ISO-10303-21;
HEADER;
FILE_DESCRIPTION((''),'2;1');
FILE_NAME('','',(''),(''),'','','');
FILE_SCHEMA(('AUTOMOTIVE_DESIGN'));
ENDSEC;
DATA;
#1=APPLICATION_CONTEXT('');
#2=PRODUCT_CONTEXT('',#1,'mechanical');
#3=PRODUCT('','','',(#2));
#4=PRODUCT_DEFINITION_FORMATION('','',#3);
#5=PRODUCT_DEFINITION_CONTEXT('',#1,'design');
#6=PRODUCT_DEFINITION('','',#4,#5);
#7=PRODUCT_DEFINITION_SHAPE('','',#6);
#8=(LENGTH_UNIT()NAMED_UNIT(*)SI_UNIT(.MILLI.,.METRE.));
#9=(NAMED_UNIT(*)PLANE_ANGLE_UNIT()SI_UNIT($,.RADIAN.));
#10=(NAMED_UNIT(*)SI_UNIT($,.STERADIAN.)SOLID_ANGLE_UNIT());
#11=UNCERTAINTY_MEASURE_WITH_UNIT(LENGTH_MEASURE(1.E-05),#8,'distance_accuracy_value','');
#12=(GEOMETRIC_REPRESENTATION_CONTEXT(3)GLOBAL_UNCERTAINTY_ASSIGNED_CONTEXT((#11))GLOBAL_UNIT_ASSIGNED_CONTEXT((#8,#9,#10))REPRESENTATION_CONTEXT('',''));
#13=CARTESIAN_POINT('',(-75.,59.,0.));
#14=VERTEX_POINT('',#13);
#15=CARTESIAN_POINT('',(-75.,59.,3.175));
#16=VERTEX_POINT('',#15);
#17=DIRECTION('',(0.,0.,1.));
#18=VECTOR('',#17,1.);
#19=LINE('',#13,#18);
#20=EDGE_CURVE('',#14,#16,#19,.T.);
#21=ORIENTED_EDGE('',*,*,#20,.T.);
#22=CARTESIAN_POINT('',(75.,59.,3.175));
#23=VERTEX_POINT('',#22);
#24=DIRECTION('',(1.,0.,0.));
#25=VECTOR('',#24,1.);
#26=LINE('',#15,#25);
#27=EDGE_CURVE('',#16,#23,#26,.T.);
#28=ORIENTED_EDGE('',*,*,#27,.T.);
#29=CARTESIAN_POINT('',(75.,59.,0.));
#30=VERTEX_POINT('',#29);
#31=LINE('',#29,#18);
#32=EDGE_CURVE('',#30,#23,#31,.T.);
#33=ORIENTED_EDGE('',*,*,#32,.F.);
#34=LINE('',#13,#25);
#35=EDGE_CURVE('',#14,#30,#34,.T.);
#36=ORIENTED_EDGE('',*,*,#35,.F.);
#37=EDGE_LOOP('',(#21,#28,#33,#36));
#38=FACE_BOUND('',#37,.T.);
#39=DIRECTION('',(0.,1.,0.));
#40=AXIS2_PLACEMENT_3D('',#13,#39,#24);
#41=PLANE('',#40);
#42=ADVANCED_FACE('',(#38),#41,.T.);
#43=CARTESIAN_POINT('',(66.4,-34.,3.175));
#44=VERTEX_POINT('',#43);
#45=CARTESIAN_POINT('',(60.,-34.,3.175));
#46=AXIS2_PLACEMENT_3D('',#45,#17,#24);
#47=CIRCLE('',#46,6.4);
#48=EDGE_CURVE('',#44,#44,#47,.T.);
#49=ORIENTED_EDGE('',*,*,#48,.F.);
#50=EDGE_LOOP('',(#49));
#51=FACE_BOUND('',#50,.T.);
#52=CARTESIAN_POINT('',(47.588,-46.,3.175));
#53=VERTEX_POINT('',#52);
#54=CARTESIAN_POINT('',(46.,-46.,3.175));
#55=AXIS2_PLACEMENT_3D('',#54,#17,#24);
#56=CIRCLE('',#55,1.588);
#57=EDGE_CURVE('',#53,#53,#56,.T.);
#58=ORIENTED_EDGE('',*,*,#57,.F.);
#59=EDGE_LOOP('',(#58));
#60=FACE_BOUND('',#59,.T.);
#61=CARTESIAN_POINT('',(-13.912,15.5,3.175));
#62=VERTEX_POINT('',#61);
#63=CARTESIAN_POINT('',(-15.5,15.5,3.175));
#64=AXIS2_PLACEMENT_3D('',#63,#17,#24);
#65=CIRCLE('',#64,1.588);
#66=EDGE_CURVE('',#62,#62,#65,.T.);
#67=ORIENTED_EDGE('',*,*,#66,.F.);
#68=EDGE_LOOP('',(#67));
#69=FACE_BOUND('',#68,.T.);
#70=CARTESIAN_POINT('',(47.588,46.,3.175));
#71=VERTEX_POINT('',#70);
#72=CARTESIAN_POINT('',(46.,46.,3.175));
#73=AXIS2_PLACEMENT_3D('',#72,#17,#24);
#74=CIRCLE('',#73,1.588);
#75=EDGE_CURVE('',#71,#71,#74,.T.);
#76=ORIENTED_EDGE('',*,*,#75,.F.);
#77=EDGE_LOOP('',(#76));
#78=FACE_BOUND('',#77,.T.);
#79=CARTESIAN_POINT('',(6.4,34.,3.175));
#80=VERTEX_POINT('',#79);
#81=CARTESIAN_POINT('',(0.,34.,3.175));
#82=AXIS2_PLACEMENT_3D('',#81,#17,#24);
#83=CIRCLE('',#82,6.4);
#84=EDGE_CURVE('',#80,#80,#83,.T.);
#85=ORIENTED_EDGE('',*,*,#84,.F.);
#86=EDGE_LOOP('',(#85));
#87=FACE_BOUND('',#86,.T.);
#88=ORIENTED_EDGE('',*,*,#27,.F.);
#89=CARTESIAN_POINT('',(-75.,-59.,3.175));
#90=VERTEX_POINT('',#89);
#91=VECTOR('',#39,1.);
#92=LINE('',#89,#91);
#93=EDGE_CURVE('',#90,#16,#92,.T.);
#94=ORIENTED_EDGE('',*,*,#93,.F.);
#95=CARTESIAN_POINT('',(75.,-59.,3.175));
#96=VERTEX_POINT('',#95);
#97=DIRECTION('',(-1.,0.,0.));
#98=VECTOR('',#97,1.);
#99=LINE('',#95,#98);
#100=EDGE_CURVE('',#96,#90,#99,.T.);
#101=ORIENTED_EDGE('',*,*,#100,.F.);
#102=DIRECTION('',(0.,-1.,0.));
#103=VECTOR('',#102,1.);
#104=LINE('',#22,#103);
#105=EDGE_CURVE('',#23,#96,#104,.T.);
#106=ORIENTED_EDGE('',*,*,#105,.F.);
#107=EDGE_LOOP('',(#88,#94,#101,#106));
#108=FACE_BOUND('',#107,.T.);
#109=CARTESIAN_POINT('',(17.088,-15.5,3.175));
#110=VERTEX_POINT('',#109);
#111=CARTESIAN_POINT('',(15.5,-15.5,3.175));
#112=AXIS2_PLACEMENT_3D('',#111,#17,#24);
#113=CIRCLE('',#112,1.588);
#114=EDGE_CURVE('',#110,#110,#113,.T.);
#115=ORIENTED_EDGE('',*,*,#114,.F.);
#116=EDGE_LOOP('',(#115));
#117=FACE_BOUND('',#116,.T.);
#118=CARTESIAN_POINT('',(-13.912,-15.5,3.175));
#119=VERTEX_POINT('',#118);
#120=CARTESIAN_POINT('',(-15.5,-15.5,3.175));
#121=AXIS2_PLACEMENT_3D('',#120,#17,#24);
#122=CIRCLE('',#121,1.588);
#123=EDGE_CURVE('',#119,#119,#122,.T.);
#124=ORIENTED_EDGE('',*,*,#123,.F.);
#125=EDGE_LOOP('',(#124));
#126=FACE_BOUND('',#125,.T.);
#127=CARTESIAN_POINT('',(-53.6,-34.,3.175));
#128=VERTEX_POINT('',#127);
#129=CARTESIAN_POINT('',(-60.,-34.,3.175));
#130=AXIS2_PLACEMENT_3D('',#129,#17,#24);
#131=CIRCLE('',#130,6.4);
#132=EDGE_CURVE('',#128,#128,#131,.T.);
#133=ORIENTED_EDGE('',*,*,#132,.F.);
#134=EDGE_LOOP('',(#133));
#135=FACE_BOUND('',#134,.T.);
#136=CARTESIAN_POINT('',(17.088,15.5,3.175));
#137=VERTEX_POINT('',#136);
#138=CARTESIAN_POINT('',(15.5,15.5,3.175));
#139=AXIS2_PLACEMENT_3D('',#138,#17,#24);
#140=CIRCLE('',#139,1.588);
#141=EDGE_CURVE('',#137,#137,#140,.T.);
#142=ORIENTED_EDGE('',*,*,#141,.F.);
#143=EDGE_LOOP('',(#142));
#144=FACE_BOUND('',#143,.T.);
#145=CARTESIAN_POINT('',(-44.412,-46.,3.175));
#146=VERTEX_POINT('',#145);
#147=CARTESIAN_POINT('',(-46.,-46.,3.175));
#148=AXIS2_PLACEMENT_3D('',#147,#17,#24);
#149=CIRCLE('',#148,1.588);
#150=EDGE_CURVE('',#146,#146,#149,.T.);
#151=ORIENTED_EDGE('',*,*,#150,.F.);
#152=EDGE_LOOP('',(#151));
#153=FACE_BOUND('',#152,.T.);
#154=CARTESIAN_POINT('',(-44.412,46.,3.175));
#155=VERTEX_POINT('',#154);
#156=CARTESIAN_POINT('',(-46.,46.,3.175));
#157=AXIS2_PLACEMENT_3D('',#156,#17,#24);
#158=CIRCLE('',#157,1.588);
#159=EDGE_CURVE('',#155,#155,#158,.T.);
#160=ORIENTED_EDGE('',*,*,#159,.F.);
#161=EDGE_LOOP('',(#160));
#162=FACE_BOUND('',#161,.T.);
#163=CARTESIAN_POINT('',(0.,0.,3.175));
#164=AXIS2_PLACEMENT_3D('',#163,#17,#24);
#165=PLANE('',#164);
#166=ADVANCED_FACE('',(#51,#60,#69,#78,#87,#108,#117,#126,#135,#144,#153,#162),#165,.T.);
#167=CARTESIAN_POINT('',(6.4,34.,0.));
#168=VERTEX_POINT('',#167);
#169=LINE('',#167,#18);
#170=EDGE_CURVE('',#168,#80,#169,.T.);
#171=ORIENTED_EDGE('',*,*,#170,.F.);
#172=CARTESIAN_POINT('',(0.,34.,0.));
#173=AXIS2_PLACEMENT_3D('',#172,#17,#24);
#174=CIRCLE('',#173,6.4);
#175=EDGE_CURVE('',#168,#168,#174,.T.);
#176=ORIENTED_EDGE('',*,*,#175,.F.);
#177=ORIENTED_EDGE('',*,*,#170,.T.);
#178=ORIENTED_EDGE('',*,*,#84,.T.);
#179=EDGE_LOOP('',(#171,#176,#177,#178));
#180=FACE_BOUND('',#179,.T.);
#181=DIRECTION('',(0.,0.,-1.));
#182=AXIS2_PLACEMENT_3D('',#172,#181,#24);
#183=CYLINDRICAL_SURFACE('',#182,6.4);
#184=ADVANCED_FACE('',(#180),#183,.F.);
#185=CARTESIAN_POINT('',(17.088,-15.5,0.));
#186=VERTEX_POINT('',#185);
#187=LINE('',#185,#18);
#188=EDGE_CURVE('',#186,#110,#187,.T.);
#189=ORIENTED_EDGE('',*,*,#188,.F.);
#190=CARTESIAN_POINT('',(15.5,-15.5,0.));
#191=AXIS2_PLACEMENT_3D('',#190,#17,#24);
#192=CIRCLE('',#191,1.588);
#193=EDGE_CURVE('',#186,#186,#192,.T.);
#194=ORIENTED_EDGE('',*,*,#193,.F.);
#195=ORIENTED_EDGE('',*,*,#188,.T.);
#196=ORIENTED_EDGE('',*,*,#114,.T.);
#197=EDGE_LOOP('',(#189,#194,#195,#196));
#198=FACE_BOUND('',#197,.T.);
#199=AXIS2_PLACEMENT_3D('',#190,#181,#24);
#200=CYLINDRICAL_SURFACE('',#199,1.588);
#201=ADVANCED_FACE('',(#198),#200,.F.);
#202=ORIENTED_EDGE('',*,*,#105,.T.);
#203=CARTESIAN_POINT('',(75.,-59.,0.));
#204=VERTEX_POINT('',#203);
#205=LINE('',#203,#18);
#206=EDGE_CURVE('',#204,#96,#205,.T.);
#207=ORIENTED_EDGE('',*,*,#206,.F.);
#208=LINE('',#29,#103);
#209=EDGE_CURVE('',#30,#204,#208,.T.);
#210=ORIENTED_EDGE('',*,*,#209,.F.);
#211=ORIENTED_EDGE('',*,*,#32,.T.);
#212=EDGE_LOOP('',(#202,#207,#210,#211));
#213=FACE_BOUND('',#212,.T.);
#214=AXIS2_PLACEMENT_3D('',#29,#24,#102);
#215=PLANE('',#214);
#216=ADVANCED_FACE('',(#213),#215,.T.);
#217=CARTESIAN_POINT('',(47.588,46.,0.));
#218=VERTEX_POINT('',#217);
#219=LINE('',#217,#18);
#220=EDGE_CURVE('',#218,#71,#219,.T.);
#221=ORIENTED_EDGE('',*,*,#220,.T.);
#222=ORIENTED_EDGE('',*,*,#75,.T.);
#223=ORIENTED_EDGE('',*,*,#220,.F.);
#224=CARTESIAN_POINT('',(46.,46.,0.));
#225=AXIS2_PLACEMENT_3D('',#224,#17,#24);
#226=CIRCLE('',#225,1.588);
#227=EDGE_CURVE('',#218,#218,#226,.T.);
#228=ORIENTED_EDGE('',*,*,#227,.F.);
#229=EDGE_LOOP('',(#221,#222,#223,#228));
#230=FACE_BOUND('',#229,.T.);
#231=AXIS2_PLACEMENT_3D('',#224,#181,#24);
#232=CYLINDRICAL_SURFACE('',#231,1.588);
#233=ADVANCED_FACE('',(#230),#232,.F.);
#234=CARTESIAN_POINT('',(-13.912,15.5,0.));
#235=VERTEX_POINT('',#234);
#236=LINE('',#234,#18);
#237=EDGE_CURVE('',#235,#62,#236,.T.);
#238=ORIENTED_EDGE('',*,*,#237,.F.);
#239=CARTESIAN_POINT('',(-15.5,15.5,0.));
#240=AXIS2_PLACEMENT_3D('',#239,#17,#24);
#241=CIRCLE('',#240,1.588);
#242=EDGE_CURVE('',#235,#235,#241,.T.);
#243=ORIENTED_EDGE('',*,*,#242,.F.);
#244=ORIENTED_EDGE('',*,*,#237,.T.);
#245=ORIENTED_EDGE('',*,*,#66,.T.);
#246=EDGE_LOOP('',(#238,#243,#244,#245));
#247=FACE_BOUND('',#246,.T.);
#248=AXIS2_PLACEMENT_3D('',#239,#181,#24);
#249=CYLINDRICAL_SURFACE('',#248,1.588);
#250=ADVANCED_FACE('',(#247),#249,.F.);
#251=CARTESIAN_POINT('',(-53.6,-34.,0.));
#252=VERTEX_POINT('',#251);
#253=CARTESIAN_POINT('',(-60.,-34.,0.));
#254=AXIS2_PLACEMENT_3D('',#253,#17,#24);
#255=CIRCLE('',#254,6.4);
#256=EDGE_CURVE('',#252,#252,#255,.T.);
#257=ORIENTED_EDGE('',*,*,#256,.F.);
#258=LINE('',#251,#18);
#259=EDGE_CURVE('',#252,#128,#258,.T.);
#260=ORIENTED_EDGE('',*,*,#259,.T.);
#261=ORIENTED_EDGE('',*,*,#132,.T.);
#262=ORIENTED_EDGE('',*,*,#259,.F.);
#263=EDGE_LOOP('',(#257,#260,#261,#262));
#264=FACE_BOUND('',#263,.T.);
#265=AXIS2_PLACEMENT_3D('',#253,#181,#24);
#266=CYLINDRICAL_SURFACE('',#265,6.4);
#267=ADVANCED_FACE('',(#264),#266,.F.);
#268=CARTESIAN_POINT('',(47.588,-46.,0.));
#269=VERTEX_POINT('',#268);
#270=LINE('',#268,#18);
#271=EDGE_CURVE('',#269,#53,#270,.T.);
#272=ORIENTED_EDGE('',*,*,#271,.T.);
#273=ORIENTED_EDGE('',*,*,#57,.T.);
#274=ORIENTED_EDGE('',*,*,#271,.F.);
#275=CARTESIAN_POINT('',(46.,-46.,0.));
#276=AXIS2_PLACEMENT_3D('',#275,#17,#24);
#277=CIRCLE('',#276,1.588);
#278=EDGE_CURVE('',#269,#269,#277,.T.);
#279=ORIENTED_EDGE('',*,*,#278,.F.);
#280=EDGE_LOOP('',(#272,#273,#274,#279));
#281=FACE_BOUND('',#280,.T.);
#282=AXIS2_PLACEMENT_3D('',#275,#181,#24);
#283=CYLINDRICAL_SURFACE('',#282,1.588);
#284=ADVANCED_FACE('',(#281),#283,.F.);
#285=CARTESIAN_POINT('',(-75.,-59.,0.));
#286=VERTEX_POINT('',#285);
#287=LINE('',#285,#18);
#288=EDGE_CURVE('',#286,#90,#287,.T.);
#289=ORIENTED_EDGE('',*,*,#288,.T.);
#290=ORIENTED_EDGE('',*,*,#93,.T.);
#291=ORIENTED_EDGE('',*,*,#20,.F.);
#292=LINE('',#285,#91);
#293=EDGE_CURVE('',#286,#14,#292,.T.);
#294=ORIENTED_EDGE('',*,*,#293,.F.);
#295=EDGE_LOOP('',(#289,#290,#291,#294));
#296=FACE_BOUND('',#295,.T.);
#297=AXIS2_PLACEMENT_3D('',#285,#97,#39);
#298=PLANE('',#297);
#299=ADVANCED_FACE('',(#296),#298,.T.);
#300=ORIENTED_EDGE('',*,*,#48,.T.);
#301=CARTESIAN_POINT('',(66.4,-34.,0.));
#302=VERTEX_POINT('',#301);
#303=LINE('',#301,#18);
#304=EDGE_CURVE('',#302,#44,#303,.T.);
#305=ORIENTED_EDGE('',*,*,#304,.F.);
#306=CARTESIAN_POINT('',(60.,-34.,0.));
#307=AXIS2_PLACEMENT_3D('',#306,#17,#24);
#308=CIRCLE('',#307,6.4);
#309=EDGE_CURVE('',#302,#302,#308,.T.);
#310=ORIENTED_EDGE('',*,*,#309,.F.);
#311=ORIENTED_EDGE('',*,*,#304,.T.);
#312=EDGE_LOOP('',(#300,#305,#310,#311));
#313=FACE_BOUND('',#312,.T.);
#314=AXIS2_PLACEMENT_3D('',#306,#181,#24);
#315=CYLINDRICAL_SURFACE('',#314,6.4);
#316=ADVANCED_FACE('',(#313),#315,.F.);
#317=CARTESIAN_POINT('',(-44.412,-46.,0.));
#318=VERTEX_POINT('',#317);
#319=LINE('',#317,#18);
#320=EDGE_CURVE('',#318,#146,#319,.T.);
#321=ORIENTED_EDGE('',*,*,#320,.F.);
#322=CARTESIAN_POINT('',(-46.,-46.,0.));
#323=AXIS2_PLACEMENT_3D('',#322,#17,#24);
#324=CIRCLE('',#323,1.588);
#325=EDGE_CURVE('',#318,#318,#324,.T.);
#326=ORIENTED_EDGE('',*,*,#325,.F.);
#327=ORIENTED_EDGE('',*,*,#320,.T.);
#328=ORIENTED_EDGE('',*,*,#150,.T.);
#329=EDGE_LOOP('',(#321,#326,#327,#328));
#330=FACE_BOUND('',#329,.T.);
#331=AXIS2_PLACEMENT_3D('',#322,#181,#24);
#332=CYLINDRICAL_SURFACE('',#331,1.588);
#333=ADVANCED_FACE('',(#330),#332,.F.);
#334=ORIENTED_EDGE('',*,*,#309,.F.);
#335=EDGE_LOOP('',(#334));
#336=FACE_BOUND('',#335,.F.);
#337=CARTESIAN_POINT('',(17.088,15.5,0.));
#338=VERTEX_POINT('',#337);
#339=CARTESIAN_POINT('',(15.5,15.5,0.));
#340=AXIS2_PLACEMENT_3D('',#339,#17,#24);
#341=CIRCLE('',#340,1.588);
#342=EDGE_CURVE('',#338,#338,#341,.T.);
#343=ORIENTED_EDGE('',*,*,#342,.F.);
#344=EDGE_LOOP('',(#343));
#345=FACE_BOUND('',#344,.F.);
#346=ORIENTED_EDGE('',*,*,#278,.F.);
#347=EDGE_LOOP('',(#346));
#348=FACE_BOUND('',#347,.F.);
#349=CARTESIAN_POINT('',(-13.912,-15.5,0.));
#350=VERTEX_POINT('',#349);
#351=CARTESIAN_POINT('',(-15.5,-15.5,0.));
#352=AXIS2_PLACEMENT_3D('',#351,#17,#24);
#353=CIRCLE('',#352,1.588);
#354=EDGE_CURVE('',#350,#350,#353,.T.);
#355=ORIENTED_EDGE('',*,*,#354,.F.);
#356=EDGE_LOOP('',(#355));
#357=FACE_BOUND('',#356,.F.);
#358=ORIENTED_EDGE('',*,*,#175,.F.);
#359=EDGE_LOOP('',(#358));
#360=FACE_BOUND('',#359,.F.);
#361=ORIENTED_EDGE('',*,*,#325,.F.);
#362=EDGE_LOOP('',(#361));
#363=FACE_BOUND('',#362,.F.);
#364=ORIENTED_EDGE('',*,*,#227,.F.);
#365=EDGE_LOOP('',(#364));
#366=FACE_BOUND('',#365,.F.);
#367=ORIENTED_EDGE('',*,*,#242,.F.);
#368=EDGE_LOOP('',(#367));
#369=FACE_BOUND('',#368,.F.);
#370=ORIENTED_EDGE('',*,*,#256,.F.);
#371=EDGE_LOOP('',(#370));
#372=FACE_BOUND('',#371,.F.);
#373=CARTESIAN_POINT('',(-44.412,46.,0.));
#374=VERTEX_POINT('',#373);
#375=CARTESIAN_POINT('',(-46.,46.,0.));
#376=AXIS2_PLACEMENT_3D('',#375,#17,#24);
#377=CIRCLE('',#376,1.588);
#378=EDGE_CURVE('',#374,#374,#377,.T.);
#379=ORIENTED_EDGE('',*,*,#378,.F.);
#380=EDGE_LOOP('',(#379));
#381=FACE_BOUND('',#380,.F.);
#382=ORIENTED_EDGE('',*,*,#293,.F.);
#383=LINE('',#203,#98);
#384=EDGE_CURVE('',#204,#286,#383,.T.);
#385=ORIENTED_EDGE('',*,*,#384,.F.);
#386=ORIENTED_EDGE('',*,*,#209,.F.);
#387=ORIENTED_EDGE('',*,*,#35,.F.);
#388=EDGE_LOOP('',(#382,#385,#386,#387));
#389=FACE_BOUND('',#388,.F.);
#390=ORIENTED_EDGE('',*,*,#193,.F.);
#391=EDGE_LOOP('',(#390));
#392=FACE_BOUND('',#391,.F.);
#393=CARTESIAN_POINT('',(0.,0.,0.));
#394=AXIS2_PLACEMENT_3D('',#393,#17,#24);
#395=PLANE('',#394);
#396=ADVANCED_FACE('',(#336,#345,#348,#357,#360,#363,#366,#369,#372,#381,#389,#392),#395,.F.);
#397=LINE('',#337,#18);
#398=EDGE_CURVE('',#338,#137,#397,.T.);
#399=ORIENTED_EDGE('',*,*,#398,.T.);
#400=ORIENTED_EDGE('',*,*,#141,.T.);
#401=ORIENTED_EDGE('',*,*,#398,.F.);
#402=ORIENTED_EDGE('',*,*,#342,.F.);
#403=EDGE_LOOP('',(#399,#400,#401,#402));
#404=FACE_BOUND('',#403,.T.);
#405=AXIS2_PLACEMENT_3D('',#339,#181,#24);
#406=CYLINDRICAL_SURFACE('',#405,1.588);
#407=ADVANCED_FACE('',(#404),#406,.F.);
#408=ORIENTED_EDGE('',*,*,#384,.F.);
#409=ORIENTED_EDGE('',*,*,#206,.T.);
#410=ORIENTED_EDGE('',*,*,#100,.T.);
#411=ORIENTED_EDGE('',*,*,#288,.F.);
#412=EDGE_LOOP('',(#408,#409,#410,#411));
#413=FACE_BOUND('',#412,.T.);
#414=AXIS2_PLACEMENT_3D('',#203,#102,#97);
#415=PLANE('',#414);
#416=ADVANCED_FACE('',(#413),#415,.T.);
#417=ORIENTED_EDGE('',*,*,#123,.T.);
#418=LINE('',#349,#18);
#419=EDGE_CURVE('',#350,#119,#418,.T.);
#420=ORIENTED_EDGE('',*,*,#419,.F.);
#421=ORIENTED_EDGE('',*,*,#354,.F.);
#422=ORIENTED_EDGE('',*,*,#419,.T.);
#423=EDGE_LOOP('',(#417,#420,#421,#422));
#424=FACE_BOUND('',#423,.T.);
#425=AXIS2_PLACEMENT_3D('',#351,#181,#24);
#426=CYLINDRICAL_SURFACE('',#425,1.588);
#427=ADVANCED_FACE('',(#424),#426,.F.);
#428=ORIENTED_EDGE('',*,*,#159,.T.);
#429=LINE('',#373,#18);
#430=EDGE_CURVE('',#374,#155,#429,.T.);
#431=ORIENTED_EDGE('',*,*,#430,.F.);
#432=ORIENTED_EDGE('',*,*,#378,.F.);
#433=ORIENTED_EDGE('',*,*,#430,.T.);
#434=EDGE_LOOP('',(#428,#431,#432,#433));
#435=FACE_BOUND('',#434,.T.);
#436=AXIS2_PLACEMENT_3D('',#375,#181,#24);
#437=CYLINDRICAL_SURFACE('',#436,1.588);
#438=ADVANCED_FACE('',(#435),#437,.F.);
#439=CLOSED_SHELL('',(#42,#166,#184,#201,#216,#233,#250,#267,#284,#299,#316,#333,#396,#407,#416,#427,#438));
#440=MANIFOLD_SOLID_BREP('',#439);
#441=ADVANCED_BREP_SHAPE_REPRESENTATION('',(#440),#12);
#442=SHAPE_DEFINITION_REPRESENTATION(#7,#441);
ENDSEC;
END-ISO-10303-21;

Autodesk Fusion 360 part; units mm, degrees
sketch "movingPlatform" plane through (0, 0, 0) normal (0, 0, 1) x (1, 0, 0)
  line L0 (-75, 59) -> (75, 59)
  line L1 (75, 59) -> (75, -59)
  line L2 (75, -59) -> (-75, -59)
  line L3 (-75, -59) -> (-75, 59)
  line L4 (-75, 59) -> (75, -59) construction
  line L5 (75, 59) -> (-75, -59) construction
  circle A0 centre (-60, -34) radius 6.4
  line L6 (0, 2.5) -> (0, 20)
  circle A1 centre (60, -34) radius 6.4
  circle A2 centre (0, 34) radius 6.4
  circle A3 centre (-46, -46) radius 1.588
  circle A4 centre (-15.5, -15.5) radius 1.588
  circle A5 centre (0, 0) radius 57 construction
  circle A6 centre (15.5, -15.5) radius 1.588
  circle A7 centre (15.5, 15.5) radius 1.588
  circle A8 centre (46, -46) radius 1.588
  circle A9 centre (-46, 46) radius 1.588
  circle A10 centre (46, 46) radius 1.588
  circle A11 centre (-15.5, 15.5) radius 1.588
  dimension "d1" = 150
  dimension "d2" = 118
  dimension "d3" = 12.8
  dimension "d4" = 120
  dimension "d5" = 12.8
  dimension "d6" = 68
  dimension "d7" = 25
  dimension "d8" = 25
  dimension "d9" = 3.176
  dimension "d12" = 92
  dimension "d13" = 92
  dimension "d21" = 3.176
  dimension "d24" = 31
  dimension "d25" = 31
  dimension "d27" = 15.5
  dimension "d31" = 114
  dimension "d34" = 46
  dimension "d37" = 46
  dimension "d49" = 15.5
extrude "Extrude3" add sketch "movingPlatform" along normal blind 3.175
equation "d4 = 132.800 mm - 12.8 mm"
